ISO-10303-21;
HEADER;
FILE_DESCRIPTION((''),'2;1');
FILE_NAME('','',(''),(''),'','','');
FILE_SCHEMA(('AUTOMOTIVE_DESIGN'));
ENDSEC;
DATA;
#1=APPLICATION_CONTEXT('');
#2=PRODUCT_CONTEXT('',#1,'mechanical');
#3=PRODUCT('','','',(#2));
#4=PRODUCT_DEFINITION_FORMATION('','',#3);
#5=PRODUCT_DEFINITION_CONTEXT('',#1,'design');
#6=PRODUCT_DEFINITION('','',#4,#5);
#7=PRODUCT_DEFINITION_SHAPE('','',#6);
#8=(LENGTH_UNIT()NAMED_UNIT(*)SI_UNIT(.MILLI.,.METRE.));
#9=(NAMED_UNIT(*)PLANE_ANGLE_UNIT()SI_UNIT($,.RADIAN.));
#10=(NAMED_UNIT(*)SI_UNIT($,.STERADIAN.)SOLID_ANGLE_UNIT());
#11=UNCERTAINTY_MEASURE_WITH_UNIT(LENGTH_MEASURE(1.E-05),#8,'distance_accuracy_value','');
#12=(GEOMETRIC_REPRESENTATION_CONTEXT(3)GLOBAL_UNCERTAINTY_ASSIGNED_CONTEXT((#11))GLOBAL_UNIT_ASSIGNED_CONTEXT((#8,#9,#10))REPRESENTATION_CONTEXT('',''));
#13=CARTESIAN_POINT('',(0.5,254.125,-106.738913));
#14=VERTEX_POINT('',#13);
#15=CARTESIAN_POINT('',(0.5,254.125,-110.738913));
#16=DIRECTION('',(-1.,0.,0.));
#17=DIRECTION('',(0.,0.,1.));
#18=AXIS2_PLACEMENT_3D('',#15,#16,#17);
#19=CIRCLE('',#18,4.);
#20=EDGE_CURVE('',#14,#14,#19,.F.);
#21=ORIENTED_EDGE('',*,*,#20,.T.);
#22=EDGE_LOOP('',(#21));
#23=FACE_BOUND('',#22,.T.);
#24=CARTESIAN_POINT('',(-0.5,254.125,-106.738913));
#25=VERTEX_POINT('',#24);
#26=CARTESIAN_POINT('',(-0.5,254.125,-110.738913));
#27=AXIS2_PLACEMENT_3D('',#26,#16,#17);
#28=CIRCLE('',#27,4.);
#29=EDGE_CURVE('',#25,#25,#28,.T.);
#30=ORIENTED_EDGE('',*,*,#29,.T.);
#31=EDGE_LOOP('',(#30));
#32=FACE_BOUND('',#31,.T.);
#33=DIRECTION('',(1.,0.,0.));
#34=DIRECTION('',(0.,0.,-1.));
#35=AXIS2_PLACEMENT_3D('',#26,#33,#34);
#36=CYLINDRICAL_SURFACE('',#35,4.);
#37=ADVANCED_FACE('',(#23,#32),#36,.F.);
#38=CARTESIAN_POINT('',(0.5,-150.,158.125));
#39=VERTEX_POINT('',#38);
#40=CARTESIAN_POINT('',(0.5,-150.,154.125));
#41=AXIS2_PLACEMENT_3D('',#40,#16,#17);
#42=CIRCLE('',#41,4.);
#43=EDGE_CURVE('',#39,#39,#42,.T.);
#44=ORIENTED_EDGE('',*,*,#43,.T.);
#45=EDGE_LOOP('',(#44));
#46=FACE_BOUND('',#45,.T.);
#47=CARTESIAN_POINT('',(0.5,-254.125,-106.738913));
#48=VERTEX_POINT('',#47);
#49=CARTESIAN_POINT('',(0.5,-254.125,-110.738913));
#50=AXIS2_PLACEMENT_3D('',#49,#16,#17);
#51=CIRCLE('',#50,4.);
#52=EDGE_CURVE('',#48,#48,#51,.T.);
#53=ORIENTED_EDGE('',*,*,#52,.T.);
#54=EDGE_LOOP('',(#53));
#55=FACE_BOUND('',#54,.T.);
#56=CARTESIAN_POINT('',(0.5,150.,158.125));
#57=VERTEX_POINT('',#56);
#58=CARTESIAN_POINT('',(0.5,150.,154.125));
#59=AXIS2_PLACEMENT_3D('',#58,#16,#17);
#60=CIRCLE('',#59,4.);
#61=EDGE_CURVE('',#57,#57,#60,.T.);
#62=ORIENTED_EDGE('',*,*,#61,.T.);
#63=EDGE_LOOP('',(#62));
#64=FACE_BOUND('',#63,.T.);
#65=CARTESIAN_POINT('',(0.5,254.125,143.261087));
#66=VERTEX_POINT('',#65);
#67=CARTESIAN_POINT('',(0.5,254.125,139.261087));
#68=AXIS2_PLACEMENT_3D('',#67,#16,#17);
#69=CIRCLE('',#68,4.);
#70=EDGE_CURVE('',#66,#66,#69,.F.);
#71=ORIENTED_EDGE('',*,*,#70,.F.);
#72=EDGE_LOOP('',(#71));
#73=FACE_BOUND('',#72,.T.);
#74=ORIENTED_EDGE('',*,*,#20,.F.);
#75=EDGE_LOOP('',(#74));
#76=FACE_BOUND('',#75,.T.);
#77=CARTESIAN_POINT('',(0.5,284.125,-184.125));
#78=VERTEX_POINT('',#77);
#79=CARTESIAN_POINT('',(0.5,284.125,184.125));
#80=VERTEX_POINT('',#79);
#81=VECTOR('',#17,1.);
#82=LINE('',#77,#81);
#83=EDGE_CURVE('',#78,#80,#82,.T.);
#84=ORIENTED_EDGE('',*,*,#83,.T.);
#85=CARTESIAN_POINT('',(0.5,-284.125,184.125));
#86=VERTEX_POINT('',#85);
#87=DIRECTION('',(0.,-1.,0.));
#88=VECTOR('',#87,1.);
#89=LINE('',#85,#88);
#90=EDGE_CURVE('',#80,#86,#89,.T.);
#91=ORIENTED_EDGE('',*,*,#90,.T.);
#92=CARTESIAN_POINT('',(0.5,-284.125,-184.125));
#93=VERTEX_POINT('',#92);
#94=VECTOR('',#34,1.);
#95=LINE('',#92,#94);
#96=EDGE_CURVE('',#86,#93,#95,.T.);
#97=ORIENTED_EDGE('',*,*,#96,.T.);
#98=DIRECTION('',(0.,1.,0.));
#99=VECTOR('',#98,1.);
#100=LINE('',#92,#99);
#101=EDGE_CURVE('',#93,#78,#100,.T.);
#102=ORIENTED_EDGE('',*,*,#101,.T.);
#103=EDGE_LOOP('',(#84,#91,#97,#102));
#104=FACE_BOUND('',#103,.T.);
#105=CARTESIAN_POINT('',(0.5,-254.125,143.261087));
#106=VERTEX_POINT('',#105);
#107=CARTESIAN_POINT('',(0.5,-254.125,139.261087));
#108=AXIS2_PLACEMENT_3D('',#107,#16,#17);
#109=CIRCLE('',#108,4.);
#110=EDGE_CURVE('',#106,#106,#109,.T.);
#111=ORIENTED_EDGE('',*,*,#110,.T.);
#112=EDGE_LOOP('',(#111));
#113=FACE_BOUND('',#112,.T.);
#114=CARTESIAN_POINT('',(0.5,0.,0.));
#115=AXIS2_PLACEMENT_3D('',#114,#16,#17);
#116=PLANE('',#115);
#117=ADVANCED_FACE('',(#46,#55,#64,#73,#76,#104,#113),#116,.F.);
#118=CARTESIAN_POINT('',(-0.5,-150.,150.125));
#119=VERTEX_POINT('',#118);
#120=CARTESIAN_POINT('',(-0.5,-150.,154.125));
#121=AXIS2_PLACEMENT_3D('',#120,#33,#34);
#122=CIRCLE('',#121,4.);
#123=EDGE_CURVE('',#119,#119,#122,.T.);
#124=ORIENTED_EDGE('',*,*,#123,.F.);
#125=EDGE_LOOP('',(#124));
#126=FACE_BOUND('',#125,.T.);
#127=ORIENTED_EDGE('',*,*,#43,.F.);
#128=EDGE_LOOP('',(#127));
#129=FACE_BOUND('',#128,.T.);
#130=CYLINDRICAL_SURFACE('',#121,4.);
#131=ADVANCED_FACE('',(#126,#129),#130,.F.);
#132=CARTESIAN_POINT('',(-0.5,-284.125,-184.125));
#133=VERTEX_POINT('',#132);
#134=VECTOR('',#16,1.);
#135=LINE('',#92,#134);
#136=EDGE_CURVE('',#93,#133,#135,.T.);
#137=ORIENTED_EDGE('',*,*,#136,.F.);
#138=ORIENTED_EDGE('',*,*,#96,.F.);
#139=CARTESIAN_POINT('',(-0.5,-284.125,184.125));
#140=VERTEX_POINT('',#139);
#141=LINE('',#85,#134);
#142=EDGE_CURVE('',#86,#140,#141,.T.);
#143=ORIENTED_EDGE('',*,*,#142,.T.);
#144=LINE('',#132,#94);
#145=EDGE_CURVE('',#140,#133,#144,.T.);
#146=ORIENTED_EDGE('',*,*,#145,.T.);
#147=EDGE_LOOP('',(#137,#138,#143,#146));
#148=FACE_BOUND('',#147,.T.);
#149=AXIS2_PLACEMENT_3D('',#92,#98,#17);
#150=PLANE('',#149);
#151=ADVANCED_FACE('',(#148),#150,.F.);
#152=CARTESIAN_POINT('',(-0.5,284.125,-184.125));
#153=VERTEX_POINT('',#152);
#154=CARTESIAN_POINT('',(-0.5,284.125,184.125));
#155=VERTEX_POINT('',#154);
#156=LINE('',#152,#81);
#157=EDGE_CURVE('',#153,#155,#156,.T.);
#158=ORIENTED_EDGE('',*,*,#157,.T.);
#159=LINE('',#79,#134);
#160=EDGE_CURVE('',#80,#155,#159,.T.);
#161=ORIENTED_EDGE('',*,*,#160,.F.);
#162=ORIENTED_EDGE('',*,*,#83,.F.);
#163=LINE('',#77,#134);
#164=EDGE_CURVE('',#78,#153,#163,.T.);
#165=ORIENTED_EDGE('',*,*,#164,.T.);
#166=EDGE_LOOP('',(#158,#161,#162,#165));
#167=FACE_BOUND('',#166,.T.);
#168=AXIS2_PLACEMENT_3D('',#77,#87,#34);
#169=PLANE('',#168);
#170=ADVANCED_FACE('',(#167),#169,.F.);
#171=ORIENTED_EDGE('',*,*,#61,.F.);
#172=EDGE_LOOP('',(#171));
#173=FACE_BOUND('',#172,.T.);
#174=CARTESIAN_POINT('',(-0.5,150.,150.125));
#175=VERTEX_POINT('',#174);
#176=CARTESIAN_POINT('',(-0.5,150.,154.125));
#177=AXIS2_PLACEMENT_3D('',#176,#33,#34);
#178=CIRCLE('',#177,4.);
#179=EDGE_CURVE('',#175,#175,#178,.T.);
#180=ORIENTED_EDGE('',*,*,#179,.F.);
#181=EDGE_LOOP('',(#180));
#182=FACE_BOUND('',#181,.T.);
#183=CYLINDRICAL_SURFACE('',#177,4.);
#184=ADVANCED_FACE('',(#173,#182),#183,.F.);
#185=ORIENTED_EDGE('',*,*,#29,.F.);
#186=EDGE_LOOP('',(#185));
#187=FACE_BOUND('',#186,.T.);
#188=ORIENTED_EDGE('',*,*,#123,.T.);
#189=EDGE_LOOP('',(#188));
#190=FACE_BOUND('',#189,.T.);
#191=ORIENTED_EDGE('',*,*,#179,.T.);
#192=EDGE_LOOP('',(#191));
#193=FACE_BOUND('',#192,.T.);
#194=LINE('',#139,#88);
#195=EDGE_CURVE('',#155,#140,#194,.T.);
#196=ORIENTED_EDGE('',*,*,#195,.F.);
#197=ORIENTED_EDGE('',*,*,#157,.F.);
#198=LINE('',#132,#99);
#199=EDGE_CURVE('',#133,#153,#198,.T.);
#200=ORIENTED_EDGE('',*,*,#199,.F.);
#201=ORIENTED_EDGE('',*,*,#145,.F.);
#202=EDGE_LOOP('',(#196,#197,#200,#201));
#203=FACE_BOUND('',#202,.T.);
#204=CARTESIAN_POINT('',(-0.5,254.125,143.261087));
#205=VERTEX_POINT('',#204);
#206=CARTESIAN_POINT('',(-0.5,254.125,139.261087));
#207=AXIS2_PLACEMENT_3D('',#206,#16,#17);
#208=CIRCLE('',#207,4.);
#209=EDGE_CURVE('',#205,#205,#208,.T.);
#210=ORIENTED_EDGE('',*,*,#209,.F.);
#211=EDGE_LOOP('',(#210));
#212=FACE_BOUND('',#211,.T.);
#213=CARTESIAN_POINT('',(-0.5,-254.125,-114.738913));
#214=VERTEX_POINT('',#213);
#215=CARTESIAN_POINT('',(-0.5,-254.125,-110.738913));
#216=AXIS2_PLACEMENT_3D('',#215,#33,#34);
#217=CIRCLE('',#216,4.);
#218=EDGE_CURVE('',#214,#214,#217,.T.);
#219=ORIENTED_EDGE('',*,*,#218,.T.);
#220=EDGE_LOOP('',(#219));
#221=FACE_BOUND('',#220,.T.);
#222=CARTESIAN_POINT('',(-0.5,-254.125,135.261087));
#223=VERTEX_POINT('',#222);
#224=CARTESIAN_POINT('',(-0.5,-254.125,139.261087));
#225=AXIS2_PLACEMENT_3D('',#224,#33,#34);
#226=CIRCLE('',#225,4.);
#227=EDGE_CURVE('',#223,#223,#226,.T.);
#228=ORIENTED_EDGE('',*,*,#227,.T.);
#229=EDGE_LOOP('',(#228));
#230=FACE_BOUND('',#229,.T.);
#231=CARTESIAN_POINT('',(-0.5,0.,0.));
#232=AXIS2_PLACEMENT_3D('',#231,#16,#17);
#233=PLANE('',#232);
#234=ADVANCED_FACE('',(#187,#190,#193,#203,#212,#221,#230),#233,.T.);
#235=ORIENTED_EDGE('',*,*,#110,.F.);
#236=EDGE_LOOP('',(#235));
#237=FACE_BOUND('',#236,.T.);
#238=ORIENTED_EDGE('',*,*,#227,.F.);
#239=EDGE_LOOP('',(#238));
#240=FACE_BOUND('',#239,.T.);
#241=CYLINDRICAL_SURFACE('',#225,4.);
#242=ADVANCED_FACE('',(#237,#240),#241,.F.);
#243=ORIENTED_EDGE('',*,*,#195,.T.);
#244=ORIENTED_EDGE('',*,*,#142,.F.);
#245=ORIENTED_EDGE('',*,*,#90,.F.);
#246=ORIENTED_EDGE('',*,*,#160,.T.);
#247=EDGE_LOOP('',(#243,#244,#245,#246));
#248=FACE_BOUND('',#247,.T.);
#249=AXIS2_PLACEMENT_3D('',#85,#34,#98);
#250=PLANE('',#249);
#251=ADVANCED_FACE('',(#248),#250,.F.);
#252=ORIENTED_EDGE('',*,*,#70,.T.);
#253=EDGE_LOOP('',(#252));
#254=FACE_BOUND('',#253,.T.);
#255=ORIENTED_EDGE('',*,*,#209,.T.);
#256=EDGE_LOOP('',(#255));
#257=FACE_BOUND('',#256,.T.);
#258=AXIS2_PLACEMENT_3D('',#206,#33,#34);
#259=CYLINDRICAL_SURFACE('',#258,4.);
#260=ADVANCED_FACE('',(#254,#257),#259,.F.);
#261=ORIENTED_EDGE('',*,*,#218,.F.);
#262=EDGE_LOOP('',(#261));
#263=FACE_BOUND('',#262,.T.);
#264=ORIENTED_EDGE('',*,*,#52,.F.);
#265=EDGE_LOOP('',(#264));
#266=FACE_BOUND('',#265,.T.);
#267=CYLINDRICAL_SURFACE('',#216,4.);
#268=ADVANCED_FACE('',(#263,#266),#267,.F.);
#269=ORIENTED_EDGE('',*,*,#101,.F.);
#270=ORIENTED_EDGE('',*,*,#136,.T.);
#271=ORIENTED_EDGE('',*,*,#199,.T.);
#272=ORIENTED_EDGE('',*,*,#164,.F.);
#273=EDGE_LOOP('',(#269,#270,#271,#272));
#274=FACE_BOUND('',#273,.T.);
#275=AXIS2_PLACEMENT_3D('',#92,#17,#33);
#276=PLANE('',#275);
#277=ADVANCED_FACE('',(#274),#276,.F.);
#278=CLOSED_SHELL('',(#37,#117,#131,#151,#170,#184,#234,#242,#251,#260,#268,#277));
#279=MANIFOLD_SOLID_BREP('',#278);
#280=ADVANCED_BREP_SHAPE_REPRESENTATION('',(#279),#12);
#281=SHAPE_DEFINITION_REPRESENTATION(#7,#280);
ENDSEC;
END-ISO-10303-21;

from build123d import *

# Parameters (mm, degrees)
SKETCH1_W               = 568.25
SKETCH1_H               = 368.25
BOSS_EXTRUDE1_DEPTH     = 0.5
CUT_EXTRUDE1_DEPTH      = 339.570570561
CUT_EXTRUDE1_DEPTH_BACK = 339.570570561
SKETCH2_R               = 4


with BuildPart() as part:
    # Sketch1 → Boss-Extrude1 (new, symmetric)
    with BuildSketch(Plane.YZ):
        Rectangle(SKETCH1_W, SKETCH1_H)
    extrude(amount=BOSS_EXTRUDE1_DEPTH, both=True)

    # Sketch2 → Cut-Extrude1 (cut, two sides: drawn at the far end of the back side and taken through both)
    with BuildSketch(Plane(origin=(0.5, 0, 0), x_dir=(0, 0, -1), z_dir=(1, 0, 0)).offset(-CUT_EXTRUDE1_DEPTH_BACK)):
        with Locations((-154.125, 150)):
            Circle(SKETCH2_R)
        with Locations((-154.125, -150)):
            Circle(SKETCH2_R)
        with Locations((-139.261087025, -254.125)):
            Circle(SKETCH2_R)
        with Locations((110.738912975, -254.125)):
            Circle(SKETCH2_R)
        with Locations(Location((110.738912975, 254.125, 0), (0, 0, 180))):
            Circle(SKETCH2_R)
        with Locations(Location((-139.261087025, 254.125, 0), (0, 0, 180))):
            Circle(SKETCH2_R)
    extrude(amount=CUT_EXTRUDE1_DEPTH + CUT_EXTRUDE1_DEPTH_BACK, mode=Mode.SUBTRACT)


solid = part.part
